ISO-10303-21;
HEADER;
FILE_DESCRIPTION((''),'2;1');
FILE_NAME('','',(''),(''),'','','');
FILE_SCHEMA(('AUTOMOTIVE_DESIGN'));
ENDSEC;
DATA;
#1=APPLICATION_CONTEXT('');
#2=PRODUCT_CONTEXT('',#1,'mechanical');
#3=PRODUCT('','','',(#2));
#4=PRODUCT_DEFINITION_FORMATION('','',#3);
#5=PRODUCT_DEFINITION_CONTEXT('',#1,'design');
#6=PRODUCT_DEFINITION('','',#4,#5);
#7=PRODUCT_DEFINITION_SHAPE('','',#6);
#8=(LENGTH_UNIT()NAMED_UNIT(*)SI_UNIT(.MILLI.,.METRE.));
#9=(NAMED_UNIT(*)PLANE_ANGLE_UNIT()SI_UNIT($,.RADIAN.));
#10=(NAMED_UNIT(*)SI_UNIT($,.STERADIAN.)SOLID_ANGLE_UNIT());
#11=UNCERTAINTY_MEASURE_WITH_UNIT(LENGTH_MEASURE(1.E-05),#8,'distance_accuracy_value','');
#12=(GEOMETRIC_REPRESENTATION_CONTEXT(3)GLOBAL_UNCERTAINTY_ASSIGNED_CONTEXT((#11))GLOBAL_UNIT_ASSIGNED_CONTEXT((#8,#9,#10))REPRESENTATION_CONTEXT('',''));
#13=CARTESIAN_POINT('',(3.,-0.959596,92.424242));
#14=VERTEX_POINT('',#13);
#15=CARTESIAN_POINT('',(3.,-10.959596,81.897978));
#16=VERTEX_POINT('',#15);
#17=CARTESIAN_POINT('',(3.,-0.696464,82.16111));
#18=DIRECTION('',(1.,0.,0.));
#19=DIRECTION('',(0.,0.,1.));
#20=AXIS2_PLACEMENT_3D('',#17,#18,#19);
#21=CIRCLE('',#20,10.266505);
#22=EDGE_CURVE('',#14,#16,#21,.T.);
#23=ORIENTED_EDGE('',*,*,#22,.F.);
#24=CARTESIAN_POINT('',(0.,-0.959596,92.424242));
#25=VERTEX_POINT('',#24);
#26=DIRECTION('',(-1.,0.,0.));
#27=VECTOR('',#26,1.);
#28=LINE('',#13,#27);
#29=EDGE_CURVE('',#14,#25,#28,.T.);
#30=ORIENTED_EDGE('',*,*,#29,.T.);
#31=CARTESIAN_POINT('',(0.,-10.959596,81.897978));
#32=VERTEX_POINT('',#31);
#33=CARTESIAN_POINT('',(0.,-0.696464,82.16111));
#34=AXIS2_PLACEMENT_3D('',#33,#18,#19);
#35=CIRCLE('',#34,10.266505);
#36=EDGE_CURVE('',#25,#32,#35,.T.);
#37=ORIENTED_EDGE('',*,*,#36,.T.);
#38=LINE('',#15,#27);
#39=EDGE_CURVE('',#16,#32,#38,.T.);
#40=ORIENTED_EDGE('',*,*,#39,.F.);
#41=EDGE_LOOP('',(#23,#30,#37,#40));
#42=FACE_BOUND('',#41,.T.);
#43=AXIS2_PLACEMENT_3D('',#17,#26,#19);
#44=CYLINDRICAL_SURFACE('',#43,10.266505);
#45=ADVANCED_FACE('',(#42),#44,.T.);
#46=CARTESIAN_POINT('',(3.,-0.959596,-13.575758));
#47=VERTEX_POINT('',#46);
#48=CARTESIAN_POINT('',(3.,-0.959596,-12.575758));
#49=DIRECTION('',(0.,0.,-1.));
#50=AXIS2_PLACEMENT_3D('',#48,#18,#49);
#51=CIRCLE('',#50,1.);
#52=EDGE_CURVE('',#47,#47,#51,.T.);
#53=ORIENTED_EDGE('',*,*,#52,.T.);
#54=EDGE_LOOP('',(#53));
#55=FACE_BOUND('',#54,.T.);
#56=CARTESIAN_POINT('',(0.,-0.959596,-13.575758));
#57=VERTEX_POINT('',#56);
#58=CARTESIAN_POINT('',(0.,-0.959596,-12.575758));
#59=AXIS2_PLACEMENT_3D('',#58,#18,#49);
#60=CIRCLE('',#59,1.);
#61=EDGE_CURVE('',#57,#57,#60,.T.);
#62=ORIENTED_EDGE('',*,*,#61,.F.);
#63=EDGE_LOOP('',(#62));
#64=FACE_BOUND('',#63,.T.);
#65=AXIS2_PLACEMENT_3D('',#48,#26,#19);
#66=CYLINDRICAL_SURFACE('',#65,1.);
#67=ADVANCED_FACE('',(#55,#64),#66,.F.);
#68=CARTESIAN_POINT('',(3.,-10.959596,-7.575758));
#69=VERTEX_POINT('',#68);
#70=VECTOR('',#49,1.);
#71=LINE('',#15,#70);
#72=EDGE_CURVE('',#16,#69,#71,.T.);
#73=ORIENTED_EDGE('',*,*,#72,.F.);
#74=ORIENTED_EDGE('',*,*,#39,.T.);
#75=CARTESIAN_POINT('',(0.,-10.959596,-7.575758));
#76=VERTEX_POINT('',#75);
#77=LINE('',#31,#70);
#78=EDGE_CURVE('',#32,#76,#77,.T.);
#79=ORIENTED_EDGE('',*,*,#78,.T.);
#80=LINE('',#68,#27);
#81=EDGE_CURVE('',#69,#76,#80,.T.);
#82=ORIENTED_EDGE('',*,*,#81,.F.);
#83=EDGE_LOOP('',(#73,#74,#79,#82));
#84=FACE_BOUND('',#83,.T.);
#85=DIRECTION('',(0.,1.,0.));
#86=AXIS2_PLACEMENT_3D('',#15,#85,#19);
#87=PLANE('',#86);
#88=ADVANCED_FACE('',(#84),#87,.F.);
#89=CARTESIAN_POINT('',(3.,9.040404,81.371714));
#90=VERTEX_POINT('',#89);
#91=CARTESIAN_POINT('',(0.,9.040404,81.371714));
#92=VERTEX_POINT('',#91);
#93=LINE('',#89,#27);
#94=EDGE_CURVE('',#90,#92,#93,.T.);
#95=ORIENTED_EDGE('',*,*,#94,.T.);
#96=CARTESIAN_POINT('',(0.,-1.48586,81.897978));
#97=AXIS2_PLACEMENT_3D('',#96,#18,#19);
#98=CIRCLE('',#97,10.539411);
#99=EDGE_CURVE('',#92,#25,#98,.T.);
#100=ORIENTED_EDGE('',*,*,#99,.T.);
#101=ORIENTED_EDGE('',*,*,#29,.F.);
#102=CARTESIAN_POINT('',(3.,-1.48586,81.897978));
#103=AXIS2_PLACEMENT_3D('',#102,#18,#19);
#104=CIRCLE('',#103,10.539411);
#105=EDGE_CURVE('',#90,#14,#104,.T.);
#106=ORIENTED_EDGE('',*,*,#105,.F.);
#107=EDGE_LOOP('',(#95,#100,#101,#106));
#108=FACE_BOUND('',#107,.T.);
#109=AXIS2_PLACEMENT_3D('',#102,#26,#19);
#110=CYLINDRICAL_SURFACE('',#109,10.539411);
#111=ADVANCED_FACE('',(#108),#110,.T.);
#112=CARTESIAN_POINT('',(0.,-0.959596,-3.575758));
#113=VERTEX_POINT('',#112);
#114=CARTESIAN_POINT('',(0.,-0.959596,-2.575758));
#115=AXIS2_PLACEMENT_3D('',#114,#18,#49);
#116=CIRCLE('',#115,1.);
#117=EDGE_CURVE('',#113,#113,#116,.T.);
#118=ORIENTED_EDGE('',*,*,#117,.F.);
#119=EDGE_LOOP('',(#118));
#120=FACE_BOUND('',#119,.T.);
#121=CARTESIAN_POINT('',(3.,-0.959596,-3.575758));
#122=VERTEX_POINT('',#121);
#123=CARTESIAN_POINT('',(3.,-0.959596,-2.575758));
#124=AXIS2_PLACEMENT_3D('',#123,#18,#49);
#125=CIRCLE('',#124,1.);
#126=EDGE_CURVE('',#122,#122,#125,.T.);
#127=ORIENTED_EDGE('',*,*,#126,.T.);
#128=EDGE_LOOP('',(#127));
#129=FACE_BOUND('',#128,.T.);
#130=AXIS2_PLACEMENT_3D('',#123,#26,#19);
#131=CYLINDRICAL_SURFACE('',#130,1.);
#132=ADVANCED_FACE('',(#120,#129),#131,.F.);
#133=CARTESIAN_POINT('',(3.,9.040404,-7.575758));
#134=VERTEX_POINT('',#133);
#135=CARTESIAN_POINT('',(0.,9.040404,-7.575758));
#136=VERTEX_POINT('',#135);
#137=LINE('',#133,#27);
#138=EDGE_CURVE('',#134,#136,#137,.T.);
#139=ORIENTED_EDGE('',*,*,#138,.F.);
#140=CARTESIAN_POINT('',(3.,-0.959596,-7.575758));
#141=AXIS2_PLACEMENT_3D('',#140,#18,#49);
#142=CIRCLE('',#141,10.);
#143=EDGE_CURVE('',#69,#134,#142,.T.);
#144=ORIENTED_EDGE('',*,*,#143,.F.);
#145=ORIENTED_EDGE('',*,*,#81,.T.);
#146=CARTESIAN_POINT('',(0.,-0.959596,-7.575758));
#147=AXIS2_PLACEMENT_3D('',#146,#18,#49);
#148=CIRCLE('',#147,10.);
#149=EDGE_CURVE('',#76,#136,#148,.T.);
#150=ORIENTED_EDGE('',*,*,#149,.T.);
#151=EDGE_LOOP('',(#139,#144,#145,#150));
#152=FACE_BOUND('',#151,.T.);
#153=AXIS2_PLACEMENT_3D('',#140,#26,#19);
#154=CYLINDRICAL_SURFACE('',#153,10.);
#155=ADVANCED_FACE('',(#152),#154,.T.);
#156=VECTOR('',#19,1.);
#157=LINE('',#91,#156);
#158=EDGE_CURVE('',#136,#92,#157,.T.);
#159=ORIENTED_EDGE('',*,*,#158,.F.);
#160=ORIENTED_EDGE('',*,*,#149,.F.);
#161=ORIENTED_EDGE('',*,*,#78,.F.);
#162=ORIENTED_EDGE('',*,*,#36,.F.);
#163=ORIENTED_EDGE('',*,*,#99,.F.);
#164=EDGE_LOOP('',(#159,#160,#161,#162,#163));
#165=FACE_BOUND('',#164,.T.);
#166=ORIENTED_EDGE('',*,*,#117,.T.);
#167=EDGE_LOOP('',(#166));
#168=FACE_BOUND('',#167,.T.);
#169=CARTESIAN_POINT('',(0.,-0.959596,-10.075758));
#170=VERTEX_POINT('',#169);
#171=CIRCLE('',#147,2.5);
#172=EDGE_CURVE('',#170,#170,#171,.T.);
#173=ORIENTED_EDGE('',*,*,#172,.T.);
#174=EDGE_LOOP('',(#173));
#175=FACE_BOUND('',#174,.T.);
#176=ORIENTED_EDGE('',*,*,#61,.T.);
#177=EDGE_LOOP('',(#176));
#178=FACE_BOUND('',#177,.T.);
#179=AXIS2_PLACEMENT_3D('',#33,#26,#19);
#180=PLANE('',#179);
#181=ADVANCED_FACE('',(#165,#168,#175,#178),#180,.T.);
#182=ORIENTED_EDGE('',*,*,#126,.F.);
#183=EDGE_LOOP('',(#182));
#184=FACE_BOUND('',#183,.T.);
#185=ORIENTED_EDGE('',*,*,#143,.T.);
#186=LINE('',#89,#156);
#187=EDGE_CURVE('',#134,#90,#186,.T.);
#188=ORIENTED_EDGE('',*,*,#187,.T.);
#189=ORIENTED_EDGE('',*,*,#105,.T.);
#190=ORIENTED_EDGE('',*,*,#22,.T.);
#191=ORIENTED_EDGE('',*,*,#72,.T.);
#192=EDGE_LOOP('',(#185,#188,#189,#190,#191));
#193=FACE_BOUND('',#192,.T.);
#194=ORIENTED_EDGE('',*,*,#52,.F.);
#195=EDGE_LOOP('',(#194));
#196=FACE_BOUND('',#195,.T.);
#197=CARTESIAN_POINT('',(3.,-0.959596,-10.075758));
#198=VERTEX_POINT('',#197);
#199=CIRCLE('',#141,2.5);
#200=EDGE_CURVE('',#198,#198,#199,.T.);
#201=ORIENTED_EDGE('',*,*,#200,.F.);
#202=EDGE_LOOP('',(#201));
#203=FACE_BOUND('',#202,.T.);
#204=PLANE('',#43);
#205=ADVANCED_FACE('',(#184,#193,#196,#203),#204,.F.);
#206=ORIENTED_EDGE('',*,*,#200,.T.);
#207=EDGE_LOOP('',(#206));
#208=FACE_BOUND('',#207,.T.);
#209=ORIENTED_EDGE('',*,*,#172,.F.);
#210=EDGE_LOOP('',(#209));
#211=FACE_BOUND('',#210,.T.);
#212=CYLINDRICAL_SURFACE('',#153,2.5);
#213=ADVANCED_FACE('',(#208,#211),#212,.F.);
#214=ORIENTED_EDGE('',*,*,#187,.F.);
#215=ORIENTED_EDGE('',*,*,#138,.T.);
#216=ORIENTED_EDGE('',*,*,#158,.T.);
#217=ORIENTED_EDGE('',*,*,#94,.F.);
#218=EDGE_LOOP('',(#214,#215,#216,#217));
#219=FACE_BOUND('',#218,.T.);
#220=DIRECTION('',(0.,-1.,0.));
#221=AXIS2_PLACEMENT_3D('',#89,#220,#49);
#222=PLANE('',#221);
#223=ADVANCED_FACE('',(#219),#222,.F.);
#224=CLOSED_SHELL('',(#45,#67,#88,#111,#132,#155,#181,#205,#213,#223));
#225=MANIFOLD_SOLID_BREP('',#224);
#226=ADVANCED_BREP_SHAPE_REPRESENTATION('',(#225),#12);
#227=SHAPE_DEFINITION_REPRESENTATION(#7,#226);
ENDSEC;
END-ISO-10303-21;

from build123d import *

# Parameters (mm, degrees)
SKETCH1_R           = 2.5
SKETCH1_R_2         = 1
BOSS_EXTRUDE1_DEPTH = 3


with BuildPart() as part:
    # Sketch1 → Boss-Extrude1 (new body)
    with BuildSketch(Plane(origin=(0, 0, 0), x_dir=(0, 0, -1), z_dir=(1, 0, 0))):
        with BuildLine():
            Line((-81.371714004, 9.04040404), (7.575757576, 9.04040404))
            ThreePointArc((7.575757576, 9.04040404), (14.646825388, 6.111471852), (17.575757576, -0.95959596))
            ThreePointArc((17.575757576, -0.95959596), (14.646825388, -8.030663771), (7.575757576, -10.95959596))
            Line((7.575757576, -10.95959596), (-81.897978214, -10.95959596))
            ThreePointArc((-81.897978214, -10.95959596), (-89.232178131, -8.139656658), (-92.424242424, -0.95959596))
            ThreePointArc((-92.424242424, -0.95959596), (-88.969046026, 6.329457626), (-81.371714004, 9.04040404))
        make_face()
        with Locations((7.575757576, -0.95959596)):
            Circle(SKETCH1_R, mode=Mode.SUBTRACT)
        with Locations((12.575757576, -0.95959596)):
            Circle(SKETCH1_R_2, mode=Mode.SUBTRACT)
        with Locations((2.575757576, -0.95959596)):
            Circle(SKETCH1_R_2, mode=Mode.SUBTRACT)
    extrude(amount=BOSS_EXTRUDE1_DEPTH)


solid = part.part
